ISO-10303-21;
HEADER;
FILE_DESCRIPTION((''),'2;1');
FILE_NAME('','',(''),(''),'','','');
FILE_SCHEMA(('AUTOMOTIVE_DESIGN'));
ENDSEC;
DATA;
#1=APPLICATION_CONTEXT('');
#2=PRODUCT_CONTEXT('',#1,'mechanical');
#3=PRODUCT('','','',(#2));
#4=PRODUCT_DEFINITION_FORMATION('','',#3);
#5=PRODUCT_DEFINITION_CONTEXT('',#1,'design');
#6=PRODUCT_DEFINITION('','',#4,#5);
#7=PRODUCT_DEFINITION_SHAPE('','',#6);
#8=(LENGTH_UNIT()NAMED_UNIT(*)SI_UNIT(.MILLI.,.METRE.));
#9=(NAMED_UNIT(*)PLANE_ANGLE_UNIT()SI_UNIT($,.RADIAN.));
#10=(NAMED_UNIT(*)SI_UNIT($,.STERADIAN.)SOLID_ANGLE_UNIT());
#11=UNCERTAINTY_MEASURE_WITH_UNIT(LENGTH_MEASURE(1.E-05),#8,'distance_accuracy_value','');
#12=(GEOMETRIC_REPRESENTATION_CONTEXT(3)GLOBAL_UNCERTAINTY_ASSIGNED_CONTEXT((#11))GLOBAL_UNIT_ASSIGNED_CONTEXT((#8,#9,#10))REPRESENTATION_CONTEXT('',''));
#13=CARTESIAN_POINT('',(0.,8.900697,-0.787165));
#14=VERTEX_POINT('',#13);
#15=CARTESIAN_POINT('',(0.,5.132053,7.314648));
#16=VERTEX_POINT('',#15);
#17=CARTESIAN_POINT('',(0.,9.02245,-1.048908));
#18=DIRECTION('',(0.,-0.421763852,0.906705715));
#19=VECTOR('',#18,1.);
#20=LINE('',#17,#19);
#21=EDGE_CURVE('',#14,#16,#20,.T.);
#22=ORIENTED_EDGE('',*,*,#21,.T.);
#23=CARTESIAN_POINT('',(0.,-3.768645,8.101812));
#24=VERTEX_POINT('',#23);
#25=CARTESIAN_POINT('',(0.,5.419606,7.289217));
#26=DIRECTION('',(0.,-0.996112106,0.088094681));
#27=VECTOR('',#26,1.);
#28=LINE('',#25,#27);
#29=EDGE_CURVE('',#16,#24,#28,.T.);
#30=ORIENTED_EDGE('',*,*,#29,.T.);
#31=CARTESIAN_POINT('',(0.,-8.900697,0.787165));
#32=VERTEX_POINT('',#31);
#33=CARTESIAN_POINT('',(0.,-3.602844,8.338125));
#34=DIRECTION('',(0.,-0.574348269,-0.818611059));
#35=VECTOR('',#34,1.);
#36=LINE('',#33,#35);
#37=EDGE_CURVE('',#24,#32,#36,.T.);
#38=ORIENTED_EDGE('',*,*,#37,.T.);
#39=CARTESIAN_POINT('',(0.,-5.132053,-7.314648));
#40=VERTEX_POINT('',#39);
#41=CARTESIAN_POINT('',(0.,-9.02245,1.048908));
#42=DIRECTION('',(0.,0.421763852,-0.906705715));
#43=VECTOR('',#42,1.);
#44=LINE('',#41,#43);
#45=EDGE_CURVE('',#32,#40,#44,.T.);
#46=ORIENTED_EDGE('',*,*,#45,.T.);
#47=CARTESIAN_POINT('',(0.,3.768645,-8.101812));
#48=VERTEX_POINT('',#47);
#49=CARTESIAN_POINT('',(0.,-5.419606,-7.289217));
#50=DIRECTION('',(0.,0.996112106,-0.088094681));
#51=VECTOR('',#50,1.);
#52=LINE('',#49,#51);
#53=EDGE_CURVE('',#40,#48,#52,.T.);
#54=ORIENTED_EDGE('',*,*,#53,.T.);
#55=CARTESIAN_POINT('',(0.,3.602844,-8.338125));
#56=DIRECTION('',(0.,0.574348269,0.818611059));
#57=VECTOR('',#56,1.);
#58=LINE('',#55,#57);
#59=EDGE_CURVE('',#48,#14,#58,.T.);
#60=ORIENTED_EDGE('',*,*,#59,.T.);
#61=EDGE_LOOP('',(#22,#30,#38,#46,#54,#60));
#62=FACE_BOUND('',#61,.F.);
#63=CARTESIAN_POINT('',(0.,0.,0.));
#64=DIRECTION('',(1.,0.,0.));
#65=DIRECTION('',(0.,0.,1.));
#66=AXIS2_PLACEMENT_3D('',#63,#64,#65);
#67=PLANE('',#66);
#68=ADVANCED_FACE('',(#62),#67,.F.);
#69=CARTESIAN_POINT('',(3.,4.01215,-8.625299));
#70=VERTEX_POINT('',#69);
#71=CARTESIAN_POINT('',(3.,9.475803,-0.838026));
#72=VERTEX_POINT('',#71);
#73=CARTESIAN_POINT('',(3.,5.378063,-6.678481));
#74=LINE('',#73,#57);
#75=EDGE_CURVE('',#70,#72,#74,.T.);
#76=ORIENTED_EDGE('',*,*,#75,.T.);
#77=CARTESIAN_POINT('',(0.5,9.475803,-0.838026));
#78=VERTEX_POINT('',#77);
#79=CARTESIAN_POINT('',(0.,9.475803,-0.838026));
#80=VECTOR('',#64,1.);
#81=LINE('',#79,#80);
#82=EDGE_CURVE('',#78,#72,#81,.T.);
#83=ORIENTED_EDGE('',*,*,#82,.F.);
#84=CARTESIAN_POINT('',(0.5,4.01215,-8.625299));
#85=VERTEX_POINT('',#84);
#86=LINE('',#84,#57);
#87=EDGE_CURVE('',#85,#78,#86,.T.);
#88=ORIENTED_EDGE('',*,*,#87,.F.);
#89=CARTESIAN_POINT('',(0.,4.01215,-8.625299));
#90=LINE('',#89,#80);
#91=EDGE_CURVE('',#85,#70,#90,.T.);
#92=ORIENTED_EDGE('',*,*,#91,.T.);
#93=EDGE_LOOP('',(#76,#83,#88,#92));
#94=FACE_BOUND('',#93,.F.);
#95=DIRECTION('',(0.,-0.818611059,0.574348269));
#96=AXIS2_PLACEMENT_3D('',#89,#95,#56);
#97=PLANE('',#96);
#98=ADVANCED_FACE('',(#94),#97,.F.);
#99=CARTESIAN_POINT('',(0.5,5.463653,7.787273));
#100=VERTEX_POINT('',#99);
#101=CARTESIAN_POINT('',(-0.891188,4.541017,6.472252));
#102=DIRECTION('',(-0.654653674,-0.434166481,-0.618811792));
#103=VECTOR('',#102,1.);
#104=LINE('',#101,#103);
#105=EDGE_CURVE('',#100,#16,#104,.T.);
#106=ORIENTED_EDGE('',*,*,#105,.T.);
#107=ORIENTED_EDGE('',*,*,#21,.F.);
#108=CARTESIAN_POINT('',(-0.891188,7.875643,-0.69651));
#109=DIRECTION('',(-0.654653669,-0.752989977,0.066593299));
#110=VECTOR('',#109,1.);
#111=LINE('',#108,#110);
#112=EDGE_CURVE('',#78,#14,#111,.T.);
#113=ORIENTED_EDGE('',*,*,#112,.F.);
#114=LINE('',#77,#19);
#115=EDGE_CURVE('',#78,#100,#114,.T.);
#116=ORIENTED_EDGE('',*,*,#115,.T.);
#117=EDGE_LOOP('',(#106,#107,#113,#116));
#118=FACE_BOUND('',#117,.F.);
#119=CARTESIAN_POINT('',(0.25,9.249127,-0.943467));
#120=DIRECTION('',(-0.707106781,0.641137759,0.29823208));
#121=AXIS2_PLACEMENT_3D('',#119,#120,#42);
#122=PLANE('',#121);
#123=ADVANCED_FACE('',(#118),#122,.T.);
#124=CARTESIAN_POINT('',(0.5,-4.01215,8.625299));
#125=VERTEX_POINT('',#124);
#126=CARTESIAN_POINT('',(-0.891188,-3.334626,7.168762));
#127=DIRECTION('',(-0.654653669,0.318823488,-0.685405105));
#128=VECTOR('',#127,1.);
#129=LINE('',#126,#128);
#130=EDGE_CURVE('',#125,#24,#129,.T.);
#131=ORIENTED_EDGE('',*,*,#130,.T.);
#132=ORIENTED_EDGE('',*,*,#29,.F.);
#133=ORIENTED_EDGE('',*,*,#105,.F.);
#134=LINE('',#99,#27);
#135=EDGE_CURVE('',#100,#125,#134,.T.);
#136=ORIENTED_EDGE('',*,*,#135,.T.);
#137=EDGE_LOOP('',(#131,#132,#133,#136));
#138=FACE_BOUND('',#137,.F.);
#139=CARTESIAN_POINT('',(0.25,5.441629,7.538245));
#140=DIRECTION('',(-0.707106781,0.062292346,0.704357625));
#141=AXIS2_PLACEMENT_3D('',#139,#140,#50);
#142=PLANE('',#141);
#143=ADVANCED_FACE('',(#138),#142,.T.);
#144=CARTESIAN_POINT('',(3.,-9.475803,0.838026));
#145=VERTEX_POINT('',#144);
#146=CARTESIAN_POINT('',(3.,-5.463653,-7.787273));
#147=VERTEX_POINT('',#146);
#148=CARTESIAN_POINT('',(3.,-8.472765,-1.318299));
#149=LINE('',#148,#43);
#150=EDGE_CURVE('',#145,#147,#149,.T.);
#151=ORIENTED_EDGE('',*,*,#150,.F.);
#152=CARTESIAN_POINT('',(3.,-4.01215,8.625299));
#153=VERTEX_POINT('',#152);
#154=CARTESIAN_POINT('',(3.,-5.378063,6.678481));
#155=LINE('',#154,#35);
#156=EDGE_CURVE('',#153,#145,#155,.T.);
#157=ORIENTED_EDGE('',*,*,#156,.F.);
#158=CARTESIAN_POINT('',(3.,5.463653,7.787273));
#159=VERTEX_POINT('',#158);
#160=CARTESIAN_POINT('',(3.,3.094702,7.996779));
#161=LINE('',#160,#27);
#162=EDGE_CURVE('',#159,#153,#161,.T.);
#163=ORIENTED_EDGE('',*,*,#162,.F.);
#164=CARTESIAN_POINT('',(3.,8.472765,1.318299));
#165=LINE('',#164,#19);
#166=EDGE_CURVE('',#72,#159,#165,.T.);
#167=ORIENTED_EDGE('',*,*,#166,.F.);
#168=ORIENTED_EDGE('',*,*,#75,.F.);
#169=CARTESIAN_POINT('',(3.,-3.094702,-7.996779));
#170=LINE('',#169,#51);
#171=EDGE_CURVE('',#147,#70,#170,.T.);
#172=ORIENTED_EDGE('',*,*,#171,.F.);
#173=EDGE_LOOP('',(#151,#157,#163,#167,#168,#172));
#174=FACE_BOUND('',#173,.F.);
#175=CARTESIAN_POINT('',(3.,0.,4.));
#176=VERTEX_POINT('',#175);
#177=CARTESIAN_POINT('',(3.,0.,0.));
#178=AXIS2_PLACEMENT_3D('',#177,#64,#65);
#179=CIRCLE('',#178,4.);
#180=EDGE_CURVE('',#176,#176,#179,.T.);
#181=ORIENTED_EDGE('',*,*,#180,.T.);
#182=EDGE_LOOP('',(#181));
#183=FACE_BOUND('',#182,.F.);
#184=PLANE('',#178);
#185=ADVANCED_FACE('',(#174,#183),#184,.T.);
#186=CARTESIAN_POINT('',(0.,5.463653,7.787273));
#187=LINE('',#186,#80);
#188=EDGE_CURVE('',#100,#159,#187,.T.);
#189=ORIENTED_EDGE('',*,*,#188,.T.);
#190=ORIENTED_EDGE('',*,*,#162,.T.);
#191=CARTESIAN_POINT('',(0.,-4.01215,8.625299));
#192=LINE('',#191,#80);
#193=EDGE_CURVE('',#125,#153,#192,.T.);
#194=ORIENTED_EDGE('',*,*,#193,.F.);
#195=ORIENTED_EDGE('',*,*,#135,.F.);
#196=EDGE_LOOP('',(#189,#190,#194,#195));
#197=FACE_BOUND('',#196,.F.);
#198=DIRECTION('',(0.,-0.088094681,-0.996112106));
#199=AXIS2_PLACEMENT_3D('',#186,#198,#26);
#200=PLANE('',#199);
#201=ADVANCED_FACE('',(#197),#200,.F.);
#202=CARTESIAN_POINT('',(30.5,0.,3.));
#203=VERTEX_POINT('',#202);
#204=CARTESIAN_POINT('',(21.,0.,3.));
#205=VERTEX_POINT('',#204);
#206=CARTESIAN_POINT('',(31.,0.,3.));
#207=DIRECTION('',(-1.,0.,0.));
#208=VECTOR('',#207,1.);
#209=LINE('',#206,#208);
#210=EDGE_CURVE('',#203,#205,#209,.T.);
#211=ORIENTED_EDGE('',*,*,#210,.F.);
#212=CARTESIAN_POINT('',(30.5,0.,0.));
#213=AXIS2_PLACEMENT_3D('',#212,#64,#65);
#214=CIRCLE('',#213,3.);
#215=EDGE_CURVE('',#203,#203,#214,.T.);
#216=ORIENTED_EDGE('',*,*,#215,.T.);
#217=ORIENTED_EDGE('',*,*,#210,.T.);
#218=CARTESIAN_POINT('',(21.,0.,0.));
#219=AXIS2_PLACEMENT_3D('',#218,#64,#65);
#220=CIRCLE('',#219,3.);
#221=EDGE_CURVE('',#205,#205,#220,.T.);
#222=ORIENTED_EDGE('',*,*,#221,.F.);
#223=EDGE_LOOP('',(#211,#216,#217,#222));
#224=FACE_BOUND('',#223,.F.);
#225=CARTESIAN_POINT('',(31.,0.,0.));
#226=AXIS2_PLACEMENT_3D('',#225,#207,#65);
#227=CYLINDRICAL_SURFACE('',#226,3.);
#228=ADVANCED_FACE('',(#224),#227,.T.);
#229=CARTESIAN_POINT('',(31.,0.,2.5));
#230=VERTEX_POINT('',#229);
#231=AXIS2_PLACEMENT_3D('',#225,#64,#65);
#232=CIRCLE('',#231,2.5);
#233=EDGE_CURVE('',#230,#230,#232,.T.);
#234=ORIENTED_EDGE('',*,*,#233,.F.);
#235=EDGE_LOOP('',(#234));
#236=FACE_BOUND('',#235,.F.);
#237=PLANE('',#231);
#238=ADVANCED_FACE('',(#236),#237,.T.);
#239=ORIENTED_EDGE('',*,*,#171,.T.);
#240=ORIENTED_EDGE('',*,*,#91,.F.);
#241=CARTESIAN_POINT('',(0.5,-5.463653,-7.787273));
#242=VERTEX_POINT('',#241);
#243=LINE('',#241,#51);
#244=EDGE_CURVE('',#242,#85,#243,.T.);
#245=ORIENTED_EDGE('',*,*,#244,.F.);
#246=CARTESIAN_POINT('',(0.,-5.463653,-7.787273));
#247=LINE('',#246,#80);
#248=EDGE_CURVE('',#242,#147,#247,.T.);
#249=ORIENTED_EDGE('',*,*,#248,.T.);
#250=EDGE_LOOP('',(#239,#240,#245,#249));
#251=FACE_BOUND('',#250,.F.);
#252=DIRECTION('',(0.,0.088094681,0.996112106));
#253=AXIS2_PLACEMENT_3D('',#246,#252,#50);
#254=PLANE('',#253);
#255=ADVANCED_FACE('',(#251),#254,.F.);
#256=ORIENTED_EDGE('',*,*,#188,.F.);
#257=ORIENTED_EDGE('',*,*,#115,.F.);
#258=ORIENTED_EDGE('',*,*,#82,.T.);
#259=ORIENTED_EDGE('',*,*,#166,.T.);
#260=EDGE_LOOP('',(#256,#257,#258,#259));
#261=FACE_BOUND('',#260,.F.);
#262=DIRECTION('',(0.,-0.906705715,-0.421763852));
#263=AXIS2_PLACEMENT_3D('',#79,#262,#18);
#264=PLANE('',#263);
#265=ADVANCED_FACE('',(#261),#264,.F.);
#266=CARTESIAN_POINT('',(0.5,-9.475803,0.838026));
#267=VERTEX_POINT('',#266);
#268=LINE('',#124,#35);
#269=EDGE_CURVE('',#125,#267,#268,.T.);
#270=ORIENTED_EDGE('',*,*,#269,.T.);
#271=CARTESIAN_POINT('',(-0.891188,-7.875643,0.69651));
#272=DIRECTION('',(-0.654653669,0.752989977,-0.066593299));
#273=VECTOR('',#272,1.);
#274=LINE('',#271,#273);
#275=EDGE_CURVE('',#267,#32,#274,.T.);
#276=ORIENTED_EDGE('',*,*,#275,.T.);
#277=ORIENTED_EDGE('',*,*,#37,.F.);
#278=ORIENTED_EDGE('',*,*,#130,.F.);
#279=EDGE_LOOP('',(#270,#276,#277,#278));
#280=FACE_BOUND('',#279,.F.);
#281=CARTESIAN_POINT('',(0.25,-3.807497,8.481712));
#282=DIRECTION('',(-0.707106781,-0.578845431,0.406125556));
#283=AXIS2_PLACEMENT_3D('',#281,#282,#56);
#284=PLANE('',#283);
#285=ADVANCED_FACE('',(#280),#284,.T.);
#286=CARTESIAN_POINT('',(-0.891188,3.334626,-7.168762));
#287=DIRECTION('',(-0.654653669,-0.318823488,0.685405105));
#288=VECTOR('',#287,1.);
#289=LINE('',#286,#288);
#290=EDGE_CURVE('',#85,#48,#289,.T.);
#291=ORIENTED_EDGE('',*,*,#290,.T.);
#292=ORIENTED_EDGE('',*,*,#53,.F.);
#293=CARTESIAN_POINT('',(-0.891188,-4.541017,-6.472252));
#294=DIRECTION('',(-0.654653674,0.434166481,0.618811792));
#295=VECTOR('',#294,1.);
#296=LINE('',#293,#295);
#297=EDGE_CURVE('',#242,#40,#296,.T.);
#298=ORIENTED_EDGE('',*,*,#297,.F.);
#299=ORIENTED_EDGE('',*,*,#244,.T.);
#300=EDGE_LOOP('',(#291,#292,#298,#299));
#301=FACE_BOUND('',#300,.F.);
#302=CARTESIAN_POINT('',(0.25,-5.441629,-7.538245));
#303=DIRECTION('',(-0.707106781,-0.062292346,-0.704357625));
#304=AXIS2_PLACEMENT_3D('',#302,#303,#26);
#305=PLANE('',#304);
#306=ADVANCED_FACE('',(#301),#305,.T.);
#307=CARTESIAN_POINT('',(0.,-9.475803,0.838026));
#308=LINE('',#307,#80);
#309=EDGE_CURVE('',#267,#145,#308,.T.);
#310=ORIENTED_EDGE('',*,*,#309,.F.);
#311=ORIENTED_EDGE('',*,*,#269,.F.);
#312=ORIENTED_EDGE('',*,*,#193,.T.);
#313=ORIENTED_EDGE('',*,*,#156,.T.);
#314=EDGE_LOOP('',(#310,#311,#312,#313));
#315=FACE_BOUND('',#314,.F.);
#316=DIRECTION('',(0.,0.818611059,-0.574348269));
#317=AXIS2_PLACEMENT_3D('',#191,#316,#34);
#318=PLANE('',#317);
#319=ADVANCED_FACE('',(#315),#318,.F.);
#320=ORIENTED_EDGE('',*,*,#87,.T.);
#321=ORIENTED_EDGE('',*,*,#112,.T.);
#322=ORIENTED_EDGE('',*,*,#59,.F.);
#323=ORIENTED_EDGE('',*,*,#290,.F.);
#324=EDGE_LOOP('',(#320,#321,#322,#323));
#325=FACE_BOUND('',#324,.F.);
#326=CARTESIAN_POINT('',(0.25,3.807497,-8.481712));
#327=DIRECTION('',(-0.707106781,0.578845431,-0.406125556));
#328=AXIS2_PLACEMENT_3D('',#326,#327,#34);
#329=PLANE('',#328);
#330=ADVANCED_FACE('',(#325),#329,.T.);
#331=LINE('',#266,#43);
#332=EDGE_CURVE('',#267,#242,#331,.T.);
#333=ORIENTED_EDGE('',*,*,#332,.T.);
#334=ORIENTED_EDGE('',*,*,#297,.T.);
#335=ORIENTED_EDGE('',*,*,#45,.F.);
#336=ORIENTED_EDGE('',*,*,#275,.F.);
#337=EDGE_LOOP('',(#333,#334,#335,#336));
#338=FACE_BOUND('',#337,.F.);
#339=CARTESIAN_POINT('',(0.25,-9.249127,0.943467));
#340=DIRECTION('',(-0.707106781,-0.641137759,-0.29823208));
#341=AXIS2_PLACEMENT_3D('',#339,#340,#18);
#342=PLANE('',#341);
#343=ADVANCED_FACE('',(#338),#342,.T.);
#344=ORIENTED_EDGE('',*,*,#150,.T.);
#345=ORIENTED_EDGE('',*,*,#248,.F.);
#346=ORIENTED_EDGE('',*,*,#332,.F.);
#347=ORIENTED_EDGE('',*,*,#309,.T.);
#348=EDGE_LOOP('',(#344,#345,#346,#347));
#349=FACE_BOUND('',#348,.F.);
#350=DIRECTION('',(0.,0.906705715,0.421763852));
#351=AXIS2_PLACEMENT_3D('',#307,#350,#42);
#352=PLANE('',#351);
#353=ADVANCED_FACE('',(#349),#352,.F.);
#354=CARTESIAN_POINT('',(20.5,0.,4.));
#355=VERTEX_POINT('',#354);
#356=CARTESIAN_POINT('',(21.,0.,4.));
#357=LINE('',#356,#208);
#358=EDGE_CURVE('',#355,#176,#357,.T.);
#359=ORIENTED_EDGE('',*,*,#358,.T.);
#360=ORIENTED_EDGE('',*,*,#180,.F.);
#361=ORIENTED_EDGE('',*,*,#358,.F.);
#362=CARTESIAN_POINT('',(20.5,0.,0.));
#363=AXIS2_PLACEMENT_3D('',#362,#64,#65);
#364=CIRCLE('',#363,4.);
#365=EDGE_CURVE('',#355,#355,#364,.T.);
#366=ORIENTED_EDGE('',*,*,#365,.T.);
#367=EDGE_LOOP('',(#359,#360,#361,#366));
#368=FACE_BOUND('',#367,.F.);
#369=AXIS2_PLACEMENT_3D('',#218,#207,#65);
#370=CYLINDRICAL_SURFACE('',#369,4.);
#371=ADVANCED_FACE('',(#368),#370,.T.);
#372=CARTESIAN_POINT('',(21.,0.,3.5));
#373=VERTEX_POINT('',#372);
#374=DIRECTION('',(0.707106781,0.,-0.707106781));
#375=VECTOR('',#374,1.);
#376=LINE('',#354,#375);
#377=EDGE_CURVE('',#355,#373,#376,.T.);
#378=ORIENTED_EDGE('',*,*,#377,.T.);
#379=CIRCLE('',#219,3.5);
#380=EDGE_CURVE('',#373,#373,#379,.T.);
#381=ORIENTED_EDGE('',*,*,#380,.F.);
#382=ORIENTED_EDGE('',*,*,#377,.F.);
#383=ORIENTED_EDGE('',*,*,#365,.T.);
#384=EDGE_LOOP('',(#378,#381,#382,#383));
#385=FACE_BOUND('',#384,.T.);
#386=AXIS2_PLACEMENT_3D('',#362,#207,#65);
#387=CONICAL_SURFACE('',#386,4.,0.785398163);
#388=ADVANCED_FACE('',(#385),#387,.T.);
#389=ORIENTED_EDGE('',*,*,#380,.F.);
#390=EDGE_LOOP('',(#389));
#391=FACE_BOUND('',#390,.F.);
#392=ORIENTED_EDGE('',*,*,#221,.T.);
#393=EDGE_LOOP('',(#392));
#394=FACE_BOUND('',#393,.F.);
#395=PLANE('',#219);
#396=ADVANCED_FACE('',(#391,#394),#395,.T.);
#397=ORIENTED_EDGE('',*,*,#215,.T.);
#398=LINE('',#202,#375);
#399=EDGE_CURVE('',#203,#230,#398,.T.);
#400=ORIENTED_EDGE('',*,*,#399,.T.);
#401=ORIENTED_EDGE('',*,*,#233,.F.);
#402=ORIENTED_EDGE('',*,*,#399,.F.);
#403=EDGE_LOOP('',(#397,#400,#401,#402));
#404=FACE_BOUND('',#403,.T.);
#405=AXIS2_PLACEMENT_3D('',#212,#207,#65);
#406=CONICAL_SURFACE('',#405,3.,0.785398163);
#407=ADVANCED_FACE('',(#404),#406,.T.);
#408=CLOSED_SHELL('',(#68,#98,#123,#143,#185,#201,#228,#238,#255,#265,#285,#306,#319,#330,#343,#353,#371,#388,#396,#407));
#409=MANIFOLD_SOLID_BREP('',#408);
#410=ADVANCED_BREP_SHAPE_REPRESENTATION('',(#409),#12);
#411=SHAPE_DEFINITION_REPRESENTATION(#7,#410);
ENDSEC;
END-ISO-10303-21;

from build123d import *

# Parameters (mm, degrees)
F2_R     = 11.382986
F3_DEPTH = 25
F4_SIZE  = 0.5
F5_SIZE  = 0.5
F6_SIZE  = 0.5


with BuildPart() as f1:
    # F0 (on Front) → F1 (revolve)
    with BuildSketch(Plane.XZ):
        Polygon((0, 10), (0, 0), (31, 0), (31, 3), (21, 3), (21, 4), (3, 4), (3, 10), align=None)
    revolve(axis=Axis((15.5, 0, 0), (1, 0, 0)))

    # F2 (on face) → F3 (cut)
    with BuildSketch(Plane(origin=(0, 0, 0), x_dir=(0, -1, 0), z_dir=(-1, 0, 0))):
        Circle(F2_R)
        Polygon((-5.463653, 7.787273), (4.01215, 8.625299), (9.475803, 0.838026), (5.463653, -7.787273), (-4.01215, -8.625299), (-9.475803, -0.838026), align=None, mode=Mode.SUBTRACT)
    extrude(amount=-F3_DEPTH, mode=Mode.SUBTRACT)

    # F4
    f4_edges = [f1.edges().sort_by_distance(p)[0] for p in [
        (21, 0, -4),
    ]]
    chamfer(f4_edges, length=F4_SIZE)

    # F5
    f5_edges = [f1.edges().sort_by_distance(p)[0] for p in [
        (31, 0, -3),
    ]]
    chamfer(f5_edges, length=F5_SIZE)

    # F6
    f6_edges = [f1.edges().sort_by_distance(p)[0] for p in [
        (0, 6.743976, -4.731663),
        (0, -0.725752, -8.206286),
        (0, -7.469728, -3.474624),
        (0, -6.743976, 4.731663),
        (0, 0.725752, 8.206286),
        (0, 7.469728, 3.474624),
    ]]
    chamfer(f6_edges, length=F6_SIZE)


solid = f1.part
